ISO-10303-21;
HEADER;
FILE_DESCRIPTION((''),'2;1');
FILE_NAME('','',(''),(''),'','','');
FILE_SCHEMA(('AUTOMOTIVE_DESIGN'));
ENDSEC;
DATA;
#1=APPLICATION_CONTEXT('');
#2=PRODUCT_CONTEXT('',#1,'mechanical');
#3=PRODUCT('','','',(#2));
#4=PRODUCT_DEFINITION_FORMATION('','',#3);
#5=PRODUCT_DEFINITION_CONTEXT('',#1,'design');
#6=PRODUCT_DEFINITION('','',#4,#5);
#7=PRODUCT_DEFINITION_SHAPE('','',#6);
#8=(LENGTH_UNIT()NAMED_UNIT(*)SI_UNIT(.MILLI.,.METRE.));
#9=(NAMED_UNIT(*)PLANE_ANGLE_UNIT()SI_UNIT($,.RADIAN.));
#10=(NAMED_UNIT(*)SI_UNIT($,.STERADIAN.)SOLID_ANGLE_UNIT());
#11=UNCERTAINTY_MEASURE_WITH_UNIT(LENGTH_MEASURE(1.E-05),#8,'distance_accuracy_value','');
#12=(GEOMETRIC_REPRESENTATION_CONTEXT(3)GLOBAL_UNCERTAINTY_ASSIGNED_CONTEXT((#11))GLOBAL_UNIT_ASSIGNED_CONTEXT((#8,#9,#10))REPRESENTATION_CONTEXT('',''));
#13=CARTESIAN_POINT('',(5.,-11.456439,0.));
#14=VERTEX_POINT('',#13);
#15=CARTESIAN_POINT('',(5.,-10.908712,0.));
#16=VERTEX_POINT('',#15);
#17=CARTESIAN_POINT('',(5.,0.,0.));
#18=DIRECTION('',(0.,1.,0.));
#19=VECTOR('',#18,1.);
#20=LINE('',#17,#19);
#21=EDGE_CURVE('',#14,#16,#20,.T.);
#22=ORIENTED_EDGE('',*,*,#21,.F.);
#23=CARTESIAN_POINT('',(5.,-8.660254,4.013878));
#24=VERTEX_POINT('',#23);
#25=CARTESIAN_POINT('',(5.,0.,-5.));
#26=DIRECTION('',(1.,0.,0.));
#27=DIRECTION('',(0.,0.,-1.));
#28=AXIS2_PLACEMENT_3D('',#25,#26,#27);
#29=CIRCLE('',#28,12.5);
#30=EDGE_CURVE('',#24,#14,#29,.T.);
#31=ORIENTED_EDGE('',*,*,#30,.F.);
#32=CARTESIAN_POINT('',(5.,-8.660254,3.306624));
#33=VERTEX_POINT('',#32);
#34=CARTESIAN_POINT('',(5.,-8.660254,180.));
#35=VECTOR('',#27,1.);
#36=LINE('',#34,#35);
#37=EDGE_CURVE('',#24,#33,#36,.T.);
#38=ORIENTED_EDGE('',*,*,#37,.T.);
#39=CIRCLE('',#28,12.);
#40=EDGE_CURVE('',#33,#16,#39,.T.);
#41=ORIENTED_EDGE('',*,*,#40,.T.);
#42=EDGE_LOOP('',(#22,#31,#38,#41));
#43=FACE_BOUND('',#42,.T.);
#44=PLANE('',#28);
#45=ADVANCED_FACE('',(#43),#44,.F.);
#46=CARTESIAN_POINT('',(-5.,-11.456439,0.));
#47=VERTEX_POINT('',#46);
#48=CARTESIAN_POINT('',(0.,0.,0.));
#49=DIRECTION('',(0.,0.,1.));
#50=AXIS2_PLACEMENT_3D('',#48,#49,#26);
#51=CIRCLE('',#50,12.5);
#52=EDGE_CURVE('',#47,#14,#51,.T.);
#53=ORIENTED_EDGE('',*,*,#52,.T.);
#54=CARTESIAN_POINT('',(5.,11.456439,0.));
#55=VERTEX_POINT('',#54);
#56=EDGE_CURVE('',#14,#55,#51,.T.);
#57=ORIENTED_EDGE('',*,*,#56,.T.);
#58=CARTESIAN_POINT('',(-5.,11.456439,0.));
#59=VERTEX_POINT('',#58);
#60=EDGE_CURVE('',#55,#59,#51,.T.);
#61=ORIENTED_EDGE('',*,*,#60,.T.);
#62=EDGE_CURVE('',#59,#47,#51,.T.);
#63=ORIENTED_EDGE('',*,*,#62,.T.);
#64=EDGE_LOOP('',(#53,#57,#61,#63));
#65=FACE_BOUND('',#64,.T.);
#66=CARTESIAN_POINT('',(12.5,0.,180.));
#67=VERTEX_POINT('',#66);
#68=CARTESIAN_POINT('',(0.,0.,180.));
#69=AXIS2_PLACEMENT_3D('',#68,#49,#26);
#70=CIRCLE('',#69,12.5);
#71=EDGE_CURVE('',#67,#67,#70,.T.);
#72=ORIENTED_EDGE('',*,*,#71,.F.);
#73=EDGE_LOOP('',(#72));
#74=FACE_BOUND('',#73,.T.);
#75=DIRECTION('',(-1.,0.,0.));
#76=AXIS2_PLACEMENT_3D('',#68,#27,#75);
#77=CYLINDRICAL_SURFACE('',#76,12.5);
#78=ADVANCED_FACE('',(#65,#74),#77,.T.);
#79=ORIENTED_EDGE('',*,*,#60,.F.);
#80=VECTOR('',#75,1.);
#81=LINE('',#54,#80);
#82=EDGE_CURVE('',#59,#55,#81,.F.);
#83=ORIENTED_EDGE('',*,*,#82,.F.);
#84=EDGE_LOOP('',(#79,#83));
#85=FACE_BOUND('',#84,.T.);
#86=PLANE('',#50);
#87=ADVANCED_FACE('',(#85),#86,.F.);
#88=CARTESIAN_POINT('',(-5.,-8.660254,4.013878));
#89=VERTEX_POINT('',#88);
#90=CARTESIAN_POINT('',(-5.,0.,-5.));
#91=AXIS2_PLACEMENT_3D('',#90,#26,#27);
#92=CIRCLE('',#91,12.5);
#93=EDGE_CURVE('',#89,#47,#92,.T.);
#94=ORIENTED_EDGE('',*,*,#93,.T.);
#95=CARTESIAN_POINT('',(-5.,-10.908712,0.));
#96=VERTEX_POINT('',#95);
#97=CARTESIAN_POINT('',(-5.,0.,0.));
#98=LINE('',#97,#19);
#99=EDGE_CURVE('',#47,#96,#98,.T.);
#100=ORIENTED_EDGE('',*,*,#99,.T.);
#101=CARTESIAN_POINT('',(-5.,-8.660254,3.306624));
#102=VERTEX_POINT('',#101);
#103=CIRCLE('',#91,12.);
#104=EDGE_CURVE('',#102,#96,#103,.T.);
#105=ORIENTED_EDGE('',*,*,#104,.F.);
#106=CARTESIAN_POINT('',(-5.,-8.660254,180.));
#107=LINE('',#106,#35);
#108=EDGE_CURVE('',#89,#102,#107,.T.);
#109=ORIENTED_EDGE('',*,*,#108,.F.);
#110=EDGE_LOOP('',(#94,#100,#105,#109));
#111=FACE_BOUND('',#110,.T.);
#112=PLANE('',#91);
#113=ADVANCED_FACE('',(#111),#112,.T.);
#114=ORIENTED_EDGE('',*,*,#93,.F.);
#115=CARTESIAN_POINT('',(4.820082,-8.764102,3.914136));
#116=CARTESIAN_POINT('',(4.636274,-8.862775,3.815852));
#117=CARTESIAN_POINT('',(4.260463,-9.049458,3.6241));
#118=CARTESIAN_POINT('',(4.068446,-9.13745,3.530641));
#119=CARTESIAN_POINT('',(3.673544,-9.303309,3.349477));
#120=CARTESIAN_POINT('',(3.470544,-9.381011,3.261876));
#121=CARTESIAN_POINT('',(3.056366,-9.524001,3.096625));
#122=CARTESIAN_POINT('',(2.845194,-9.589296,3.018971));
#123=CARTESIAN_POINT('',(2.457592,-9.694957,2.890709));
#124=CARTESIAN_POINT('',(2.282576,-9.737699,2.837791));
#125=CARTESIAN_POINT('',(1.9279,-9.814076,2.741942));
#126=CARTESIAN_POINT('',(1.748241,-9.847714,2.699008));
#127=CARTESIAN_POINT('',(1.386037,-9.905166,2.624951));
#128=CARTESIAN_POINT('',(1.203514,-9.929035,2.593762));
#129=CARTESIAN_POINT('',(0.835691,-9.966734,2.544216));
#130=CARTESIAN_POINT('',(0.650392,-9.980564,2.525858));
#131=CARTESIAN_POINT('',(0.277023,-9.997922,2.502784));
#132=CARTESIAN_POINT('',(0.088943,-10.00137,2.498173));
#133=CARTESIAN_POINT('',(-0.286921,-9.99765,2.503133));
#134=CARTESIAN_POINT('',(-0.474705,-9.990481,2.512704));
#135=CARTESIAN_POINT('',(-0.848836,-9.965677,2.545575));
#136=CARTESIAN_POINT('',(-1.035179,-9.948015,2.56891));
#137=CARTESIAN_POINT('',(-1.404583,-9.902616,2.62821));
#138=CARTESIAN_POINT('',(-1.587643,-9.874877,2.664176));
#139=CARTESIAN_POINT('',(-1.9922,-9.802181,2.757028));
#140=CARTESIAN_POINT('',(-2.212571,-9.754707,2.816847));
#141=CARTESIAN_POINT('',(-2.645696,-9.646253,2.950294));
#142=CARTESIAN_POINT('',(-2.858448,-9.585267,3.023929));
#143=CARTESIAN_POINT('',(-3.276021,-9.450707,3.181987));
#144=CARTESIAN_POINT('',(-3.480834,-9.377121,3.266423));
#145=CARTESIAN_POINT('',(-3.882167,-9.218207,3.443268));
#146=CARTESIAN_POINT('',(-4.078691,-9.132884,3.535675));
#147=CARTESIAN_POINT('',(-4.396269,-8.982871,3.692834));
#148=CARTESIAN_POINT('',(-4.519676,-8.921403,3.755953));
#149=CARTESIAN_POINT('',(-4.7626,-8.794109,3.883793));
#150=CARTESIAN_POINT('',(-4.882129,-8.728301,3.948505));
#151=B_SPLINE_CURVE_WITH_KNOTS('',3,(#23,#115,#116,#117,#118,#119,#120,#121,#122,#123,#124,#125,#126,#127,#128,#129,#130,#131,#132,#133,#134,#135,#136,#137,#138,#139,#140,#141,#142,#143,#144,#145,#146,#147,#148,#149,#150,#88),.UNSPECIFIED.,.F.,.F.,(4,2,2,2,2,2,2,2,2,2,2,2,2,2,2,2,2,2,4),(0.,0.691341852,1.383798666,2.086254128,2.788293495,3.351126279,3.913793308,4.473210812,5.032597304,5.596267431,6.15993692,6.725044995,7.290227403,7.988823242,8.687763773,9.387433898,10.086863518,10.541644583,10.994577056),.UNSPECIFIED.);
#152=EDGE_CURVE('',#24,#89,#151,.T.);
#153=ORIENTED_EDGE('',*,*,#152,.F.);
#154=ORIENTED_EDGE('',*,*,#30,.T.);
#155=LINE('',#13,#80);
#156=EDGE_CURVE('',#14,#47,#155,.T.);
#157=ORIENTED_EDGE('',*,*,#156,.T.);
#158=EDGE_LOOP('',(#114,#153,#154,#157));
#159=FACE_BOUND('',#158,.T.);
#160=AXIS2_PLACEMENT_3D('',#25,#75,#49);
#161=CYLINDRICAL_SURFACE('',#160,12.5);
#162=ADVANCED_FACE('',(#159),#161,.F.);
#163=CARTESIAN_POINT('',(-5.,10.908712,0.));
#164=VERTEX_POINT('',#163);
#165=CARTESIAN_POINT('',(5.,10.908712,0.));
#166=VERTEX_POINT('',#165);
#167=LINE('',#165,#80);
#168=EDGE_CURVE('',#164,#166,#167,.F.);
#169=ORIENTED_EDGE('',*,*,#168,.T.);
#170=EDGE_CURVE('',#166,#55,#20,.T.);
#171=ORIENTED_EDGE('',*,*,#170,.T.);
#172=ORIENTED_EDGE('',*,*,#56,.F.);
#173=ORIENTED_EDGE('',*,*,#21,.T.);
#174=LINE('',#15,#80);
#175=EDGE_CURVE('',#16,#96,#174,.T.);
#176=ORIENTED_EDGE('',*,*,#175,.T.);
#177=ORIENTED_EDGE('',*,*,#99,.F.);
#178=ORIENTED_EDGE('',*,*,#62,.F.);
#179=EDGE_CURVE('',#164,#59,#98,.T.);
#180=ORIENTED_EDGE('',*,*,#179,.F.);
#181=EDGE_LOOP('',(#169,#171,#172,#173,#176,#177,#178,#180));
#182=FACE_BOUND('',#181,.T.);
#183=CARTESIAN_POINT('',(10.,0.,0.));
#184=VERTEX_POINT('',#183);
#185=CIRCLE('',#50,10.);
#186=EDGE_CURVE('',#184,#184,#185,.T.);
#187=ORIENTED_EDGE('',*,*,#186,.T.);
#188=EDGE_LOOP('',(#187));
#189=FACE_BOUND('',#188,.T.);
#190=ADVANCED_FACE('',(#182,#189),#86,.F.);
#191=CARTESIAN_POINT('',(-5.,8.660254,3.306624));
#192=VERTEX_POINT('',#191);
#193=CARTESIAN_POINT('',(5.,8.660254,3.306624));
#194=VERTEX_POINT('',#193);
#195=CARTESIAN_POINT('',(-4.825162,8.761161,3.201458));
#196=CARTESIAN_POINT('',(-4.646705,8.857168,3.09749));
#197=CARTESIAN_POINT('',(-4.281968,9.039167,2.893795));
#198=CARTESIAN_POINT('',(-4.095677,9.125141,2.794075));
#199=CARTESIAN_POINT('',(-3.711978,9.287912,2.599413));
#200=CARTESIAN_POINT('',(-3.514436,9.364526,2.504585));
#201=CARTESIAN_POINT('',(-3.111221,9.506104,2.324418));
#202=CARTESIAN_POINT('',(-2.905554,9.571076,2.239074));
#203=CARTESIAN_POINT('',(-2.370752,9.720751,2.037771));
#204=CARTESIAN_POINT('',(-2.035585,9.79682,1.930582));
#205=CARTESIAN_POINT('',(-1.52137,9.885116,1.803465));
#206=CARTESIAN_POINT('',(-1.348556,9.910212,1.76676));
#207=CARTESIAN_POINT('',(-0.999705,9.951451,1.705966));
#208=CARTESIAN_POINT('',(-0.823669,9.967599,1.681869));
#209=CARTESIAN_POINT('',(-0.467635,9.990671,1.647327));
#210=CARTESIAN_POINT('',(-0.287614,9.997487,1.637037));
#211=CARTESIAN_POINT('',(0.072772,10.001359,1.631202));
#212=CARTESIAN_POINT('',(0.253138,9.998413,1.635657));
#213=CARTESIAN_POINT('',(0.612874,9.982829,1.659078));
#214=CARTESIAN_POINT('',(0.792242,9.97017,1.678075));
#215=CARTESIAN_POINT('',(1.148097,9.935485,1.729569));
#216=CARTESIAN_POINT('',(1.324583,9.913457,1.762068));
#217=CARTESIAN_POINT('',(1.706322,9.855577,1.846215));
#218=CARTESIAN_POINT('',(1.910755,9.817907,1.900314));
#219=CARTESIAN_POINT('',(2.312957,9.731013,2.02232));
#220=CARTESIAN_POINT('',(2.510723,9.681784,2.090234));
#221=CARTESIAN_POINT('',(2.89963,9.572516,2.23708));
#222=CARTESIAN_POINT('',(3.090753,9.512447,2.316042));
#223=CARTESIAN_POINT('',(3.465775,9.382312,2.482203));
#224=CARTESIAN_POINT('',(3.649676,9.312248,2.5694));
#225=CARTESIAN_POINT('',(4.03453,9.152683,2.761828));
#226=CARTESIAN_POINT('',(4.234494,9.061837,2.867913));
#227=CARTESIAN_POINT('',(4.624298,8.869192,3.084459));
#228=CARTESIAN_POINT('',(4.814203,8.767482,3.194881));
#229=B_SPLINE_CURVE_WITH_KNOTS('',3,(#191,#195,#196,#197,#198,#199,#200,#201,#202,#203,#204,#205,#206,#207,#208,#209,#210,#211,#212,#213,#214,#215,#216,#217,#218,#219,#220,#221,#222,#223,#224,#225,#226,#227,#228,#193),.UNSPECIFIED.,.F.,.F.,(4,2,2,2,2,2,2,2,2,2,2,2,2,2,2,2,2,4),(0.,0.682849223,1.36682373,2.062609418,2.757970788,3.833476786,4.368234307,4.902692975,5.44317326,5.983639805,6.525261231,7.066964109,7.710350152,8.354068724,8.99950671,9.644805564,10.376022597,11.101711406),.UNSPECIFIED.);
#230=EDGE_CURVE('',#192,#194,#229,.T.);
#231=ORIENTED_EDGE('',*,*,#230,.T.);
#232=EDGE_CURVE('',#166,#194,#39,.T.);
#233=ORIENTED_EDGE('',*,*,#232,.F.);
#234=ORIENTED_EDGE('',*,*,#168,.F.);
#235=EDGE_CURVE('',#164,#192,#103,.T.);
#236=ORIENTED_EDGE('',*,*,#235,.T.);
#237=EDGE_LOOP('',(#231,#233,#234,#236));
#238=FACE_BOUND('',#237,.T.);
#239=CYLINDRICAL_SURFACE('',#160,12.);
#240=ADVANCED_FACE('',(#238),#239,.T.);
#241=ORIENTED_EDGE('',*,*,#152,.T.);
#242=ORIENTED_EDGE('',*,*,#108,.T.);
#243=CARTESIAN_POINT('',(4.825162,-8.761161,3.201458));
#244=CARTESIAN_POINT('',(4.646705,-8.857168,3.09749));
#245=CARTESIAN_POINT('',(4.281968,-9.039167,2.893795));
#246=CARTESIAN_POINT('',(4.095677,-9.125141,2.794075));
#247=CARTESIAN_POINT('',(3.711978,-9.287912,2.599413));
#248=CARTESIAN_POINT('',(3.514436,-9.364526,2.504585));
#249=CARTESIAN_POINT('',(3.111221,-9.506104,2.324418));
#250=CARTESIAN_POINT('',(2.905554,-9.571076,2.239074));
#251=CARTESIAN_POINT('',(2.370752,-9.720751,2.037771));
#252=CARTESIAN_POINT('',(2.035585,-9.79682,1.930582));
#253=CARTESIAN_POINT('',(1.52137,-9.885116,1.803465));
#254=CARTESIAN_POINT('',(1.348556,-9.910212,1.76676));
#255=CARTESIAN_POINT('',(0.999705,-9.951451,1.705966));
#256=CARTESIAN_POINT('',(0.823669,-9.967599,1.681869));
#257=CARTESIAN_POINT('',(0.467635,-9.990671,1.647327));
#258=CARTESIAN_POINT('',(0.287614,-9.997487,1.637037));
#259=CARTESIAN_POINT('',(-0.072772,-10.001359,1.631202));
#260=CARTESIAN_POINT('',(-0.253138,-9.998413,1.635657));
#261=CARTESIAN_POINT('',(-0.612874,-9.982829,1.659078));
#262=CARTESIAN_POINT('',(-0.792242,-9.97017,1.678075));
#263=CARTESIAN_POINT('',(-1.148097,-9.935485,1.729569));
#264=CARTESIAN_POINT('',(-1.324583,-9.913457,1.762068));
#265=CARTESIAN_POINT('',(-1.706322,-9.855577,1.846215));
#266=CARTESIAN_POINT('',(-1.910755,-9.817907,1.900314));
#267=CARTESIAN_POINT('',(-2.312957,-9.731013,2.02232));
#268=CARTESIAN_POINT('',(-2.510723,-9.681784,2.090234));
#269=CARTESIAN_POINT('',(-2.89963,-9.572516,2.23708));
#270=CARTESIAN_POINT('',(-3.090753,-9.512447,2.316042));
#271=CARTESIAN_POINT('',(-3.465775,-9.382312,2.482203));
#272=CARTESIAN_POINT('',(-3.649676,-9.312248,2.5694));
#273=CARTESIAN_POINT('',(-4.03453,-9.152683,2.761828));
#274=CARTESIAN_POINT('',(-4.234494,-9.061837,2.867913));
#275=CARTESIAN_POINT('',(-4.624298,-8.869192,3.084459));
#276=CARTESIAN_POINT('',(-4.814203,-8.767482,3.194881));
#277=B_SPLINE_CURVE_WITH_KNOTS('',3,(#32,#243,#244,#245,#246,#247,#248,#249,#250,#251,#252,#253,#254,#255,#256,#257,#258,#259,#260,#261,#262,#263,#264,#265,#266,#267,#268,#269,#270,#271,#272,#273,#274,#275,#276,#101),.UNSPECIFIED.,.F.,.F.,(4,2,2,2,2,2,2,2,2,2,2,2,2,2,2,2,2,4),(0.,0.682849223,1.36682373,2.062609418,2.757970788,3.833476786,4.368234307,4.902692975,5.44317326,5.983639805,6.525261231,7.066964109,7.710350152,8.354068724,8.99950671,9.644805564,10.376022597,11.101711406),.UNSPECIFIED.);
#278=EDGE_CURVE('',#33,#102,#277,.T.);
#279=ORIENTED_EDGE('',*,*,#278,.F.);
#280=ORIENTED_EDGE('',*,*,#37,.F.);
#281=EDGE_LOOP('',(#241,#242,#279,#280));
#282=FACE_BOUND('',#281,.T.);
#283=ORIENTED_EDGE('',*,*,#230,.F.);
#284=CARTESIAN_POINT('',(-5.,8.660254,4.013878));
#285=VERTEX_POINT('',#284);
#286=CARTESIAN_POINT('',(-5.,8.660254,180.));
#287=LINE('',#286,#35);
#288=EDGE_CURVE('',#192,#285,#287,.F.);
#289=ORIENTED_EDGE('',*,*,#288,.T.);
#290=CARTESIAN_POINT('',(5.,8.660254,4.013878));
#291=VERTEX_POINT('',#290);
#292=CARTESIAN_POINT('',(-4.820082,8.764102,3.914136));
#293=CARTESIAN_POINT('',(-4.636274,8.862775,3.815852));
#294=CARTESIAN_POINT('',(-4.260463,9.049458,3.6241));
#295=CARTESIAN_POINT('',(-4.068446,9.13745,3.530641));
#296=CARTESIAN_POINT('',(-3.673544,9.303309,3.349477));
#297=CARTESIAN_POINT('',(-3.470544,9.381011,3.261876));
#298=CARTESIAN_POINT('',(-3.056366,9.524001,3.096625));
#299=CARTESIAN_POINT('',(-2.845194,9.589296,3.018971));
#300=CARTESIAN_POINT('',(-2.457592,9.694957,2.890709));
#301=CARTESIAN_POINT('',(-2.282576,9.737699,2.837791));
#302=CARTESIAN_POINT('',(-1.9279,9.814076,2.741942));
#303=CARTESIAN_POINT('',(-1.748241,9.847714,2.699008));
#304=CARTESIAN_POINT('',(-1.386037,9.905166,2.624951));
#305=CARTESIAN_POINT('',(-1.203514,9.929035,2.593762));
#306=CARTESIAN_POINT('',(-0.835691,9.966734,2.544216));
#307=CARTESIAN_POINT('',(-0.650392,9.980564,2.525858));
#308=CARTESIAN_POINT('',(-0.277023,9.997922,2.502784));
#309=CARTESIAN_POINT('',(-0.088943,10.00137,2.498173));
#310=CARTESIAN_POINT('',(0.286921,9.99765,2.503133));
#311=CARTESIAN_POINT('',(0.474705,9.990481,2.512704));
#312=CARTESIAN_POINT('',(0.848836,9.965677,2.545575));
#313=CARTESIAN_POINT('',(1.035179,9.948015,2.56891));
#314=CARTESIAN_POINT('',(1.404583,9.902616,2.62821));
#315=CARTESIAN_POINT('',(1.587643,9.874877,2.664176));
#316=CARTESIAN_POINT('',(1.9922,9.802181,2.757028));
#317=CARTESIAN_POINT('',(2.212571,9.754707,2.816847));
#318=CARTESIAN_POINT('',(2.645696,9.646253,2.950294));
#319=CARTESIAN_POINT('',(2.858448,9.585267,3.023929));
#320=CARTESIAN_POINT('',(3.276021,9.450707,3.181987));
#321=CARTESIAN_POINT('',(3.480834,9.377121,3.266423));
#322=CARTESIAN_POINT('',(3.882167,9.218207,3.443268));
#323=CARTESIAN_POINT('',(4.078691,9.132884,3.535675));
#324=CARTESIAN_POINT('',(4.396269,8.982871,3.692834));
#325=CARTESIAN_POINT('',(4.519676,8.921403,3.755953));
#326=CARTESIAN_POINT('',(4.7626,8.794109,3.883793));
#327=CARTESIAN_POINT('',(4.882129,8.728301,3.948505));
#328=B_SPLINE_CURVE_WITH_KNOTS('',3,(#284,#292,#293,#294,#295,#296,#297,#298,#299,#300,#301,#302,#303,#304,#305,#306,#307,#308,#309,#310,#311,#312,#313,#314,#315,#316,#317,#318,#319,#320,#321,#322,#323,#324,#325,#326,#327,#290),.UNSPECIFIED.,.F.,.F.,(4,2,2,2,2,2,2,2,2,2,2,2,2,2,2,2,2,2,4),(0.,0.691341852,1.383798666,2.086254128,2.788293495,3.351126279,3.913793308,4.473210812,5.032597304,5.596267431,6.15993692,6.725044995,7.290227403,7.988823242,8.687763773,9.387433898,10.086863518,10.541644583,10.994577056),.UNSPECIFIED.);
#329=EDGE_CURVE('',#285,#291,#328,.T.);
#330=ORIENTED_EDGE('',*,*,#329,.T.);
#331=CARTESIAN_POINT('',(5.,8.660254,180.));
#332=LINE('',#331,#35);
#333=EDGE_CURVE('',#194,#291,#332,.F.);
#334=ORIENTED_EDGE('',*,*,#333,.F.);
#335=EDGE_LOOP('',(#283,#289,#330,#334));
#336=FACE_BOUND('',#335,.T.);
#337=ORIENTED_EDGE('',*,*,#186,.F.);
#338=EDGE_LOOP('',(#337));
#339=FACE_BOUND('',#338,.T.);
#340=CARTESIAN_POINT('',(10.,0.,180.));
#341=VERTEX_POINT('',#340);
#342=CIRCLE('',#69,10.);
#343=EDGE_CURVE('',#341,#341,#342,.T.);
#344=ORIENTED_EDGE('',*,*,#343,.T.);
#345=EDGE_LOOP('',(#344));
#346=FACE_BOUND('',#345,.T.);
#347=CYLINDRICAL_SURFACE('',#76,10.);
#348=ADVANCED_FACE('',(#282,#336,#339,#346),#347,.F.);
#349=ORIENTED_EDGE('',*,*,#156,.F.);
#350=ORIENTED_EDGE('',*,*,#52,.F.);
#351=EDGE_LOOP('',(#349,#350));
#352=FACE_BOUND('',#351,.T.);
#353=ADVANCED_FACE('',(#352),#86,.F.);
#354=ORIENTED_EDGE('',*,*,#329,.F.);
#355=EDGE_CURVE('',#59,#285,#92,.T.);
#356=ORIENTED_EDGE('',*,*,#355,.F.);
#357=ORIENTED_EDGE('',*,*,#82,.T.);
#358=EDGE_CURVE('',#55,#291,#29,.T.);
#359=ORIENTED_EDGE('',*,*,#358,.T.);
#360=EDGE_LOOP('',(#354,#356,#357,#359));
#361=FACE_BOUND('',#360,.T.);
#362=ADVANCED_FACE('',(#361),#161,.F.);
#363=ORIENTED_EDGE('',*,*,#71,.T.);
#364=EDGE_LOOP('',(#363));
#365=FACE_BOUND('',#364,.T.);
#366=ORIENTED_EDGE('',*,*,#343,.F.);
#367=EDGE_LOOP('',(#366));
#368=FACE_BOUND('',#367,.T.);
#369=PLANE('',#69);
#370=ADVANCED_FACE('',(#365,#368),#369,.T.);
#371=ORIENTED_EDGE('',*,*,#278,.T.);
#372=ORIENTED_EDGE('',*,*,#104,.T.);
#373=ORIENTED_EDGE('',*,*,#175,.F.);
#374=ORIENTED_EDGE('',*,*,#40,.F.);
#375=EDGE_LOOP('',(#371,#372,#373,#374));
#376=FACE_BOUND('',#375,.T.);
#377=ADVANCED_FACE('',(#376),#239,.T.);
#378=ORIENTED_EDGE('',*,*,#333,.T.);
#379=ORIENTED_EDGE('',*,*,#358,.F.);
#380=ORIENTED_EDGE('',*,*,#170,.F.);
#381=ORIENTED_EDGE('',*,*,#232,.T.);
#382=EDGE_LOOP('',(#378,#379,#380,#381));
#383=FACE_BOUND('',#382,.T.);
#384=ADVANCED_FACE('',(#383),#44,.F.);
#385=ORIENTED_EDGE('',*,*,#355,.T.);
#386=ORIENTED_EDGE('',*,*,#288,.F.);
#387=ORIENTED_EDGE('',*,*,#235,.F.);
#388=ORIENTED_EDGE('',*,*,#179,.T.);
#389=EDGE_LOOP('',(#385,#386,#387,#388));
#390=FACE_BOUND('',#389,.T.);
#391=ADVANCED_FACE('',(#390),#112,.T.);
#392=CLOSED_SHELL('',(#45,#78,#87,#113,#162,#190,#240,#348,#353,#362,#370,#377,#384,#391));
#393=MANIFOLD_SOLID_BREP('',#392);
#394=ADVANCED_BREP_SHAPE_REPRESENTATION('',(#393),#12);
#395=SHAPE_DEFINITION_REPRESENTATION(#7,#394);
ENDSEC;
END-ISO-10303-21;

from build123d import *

# Parameters (mm, degrees)
ESBO_O1_R                  = 12.5
ESBO_O1_R_2                = 10
RESSALTO_EXTRUS_O1_DEPTH   = 180
CORTE_EXTRUS_O1_DEPTH      = 5
CORTE_EXTRUS_O1_DEPTH_BACK = 5
ESBO_O2_R                  = 12.5
ESBO_O2_R_2                = 12


with BuildPart() as part:
    # Esboço1 → Ressalto-extrusão1 (new body)
    with BuildSketch(Plane.XY):
        Circle(ESBO_O1_R)
        Circle(ESBO_O1_R_2, mode=Mode.SUBTRACT)
    extrude(amount=RESSALTO_EXTRUS_O1_DEPTH)

    # Esboço2 → Corte-extrusão1 (cut, two sides: drawn at the far end of the back side and taken through both)
    with BuildSketch(Plane(origin=(0, 0, 0), x_dir=(0, 0, -1), z_dir=(1, 0, 0)).offset(-CORTE_EXTRUS_O1_DEPTH_BACK)):
        with Locations((5, 0)):
            Circle(ESBO_O2_R)
        with Locations((5, 0)):
            Circle(ESBO_O2_R_2, mode=Mode.SUBTRACT)
    extrude(amount=CORTE_EXTRUS_O1_DEPTH + CORTE_EXTRUS_O1_DEPTH_BACK, mode=Mode.SUBTRACT)


solid = part.part
